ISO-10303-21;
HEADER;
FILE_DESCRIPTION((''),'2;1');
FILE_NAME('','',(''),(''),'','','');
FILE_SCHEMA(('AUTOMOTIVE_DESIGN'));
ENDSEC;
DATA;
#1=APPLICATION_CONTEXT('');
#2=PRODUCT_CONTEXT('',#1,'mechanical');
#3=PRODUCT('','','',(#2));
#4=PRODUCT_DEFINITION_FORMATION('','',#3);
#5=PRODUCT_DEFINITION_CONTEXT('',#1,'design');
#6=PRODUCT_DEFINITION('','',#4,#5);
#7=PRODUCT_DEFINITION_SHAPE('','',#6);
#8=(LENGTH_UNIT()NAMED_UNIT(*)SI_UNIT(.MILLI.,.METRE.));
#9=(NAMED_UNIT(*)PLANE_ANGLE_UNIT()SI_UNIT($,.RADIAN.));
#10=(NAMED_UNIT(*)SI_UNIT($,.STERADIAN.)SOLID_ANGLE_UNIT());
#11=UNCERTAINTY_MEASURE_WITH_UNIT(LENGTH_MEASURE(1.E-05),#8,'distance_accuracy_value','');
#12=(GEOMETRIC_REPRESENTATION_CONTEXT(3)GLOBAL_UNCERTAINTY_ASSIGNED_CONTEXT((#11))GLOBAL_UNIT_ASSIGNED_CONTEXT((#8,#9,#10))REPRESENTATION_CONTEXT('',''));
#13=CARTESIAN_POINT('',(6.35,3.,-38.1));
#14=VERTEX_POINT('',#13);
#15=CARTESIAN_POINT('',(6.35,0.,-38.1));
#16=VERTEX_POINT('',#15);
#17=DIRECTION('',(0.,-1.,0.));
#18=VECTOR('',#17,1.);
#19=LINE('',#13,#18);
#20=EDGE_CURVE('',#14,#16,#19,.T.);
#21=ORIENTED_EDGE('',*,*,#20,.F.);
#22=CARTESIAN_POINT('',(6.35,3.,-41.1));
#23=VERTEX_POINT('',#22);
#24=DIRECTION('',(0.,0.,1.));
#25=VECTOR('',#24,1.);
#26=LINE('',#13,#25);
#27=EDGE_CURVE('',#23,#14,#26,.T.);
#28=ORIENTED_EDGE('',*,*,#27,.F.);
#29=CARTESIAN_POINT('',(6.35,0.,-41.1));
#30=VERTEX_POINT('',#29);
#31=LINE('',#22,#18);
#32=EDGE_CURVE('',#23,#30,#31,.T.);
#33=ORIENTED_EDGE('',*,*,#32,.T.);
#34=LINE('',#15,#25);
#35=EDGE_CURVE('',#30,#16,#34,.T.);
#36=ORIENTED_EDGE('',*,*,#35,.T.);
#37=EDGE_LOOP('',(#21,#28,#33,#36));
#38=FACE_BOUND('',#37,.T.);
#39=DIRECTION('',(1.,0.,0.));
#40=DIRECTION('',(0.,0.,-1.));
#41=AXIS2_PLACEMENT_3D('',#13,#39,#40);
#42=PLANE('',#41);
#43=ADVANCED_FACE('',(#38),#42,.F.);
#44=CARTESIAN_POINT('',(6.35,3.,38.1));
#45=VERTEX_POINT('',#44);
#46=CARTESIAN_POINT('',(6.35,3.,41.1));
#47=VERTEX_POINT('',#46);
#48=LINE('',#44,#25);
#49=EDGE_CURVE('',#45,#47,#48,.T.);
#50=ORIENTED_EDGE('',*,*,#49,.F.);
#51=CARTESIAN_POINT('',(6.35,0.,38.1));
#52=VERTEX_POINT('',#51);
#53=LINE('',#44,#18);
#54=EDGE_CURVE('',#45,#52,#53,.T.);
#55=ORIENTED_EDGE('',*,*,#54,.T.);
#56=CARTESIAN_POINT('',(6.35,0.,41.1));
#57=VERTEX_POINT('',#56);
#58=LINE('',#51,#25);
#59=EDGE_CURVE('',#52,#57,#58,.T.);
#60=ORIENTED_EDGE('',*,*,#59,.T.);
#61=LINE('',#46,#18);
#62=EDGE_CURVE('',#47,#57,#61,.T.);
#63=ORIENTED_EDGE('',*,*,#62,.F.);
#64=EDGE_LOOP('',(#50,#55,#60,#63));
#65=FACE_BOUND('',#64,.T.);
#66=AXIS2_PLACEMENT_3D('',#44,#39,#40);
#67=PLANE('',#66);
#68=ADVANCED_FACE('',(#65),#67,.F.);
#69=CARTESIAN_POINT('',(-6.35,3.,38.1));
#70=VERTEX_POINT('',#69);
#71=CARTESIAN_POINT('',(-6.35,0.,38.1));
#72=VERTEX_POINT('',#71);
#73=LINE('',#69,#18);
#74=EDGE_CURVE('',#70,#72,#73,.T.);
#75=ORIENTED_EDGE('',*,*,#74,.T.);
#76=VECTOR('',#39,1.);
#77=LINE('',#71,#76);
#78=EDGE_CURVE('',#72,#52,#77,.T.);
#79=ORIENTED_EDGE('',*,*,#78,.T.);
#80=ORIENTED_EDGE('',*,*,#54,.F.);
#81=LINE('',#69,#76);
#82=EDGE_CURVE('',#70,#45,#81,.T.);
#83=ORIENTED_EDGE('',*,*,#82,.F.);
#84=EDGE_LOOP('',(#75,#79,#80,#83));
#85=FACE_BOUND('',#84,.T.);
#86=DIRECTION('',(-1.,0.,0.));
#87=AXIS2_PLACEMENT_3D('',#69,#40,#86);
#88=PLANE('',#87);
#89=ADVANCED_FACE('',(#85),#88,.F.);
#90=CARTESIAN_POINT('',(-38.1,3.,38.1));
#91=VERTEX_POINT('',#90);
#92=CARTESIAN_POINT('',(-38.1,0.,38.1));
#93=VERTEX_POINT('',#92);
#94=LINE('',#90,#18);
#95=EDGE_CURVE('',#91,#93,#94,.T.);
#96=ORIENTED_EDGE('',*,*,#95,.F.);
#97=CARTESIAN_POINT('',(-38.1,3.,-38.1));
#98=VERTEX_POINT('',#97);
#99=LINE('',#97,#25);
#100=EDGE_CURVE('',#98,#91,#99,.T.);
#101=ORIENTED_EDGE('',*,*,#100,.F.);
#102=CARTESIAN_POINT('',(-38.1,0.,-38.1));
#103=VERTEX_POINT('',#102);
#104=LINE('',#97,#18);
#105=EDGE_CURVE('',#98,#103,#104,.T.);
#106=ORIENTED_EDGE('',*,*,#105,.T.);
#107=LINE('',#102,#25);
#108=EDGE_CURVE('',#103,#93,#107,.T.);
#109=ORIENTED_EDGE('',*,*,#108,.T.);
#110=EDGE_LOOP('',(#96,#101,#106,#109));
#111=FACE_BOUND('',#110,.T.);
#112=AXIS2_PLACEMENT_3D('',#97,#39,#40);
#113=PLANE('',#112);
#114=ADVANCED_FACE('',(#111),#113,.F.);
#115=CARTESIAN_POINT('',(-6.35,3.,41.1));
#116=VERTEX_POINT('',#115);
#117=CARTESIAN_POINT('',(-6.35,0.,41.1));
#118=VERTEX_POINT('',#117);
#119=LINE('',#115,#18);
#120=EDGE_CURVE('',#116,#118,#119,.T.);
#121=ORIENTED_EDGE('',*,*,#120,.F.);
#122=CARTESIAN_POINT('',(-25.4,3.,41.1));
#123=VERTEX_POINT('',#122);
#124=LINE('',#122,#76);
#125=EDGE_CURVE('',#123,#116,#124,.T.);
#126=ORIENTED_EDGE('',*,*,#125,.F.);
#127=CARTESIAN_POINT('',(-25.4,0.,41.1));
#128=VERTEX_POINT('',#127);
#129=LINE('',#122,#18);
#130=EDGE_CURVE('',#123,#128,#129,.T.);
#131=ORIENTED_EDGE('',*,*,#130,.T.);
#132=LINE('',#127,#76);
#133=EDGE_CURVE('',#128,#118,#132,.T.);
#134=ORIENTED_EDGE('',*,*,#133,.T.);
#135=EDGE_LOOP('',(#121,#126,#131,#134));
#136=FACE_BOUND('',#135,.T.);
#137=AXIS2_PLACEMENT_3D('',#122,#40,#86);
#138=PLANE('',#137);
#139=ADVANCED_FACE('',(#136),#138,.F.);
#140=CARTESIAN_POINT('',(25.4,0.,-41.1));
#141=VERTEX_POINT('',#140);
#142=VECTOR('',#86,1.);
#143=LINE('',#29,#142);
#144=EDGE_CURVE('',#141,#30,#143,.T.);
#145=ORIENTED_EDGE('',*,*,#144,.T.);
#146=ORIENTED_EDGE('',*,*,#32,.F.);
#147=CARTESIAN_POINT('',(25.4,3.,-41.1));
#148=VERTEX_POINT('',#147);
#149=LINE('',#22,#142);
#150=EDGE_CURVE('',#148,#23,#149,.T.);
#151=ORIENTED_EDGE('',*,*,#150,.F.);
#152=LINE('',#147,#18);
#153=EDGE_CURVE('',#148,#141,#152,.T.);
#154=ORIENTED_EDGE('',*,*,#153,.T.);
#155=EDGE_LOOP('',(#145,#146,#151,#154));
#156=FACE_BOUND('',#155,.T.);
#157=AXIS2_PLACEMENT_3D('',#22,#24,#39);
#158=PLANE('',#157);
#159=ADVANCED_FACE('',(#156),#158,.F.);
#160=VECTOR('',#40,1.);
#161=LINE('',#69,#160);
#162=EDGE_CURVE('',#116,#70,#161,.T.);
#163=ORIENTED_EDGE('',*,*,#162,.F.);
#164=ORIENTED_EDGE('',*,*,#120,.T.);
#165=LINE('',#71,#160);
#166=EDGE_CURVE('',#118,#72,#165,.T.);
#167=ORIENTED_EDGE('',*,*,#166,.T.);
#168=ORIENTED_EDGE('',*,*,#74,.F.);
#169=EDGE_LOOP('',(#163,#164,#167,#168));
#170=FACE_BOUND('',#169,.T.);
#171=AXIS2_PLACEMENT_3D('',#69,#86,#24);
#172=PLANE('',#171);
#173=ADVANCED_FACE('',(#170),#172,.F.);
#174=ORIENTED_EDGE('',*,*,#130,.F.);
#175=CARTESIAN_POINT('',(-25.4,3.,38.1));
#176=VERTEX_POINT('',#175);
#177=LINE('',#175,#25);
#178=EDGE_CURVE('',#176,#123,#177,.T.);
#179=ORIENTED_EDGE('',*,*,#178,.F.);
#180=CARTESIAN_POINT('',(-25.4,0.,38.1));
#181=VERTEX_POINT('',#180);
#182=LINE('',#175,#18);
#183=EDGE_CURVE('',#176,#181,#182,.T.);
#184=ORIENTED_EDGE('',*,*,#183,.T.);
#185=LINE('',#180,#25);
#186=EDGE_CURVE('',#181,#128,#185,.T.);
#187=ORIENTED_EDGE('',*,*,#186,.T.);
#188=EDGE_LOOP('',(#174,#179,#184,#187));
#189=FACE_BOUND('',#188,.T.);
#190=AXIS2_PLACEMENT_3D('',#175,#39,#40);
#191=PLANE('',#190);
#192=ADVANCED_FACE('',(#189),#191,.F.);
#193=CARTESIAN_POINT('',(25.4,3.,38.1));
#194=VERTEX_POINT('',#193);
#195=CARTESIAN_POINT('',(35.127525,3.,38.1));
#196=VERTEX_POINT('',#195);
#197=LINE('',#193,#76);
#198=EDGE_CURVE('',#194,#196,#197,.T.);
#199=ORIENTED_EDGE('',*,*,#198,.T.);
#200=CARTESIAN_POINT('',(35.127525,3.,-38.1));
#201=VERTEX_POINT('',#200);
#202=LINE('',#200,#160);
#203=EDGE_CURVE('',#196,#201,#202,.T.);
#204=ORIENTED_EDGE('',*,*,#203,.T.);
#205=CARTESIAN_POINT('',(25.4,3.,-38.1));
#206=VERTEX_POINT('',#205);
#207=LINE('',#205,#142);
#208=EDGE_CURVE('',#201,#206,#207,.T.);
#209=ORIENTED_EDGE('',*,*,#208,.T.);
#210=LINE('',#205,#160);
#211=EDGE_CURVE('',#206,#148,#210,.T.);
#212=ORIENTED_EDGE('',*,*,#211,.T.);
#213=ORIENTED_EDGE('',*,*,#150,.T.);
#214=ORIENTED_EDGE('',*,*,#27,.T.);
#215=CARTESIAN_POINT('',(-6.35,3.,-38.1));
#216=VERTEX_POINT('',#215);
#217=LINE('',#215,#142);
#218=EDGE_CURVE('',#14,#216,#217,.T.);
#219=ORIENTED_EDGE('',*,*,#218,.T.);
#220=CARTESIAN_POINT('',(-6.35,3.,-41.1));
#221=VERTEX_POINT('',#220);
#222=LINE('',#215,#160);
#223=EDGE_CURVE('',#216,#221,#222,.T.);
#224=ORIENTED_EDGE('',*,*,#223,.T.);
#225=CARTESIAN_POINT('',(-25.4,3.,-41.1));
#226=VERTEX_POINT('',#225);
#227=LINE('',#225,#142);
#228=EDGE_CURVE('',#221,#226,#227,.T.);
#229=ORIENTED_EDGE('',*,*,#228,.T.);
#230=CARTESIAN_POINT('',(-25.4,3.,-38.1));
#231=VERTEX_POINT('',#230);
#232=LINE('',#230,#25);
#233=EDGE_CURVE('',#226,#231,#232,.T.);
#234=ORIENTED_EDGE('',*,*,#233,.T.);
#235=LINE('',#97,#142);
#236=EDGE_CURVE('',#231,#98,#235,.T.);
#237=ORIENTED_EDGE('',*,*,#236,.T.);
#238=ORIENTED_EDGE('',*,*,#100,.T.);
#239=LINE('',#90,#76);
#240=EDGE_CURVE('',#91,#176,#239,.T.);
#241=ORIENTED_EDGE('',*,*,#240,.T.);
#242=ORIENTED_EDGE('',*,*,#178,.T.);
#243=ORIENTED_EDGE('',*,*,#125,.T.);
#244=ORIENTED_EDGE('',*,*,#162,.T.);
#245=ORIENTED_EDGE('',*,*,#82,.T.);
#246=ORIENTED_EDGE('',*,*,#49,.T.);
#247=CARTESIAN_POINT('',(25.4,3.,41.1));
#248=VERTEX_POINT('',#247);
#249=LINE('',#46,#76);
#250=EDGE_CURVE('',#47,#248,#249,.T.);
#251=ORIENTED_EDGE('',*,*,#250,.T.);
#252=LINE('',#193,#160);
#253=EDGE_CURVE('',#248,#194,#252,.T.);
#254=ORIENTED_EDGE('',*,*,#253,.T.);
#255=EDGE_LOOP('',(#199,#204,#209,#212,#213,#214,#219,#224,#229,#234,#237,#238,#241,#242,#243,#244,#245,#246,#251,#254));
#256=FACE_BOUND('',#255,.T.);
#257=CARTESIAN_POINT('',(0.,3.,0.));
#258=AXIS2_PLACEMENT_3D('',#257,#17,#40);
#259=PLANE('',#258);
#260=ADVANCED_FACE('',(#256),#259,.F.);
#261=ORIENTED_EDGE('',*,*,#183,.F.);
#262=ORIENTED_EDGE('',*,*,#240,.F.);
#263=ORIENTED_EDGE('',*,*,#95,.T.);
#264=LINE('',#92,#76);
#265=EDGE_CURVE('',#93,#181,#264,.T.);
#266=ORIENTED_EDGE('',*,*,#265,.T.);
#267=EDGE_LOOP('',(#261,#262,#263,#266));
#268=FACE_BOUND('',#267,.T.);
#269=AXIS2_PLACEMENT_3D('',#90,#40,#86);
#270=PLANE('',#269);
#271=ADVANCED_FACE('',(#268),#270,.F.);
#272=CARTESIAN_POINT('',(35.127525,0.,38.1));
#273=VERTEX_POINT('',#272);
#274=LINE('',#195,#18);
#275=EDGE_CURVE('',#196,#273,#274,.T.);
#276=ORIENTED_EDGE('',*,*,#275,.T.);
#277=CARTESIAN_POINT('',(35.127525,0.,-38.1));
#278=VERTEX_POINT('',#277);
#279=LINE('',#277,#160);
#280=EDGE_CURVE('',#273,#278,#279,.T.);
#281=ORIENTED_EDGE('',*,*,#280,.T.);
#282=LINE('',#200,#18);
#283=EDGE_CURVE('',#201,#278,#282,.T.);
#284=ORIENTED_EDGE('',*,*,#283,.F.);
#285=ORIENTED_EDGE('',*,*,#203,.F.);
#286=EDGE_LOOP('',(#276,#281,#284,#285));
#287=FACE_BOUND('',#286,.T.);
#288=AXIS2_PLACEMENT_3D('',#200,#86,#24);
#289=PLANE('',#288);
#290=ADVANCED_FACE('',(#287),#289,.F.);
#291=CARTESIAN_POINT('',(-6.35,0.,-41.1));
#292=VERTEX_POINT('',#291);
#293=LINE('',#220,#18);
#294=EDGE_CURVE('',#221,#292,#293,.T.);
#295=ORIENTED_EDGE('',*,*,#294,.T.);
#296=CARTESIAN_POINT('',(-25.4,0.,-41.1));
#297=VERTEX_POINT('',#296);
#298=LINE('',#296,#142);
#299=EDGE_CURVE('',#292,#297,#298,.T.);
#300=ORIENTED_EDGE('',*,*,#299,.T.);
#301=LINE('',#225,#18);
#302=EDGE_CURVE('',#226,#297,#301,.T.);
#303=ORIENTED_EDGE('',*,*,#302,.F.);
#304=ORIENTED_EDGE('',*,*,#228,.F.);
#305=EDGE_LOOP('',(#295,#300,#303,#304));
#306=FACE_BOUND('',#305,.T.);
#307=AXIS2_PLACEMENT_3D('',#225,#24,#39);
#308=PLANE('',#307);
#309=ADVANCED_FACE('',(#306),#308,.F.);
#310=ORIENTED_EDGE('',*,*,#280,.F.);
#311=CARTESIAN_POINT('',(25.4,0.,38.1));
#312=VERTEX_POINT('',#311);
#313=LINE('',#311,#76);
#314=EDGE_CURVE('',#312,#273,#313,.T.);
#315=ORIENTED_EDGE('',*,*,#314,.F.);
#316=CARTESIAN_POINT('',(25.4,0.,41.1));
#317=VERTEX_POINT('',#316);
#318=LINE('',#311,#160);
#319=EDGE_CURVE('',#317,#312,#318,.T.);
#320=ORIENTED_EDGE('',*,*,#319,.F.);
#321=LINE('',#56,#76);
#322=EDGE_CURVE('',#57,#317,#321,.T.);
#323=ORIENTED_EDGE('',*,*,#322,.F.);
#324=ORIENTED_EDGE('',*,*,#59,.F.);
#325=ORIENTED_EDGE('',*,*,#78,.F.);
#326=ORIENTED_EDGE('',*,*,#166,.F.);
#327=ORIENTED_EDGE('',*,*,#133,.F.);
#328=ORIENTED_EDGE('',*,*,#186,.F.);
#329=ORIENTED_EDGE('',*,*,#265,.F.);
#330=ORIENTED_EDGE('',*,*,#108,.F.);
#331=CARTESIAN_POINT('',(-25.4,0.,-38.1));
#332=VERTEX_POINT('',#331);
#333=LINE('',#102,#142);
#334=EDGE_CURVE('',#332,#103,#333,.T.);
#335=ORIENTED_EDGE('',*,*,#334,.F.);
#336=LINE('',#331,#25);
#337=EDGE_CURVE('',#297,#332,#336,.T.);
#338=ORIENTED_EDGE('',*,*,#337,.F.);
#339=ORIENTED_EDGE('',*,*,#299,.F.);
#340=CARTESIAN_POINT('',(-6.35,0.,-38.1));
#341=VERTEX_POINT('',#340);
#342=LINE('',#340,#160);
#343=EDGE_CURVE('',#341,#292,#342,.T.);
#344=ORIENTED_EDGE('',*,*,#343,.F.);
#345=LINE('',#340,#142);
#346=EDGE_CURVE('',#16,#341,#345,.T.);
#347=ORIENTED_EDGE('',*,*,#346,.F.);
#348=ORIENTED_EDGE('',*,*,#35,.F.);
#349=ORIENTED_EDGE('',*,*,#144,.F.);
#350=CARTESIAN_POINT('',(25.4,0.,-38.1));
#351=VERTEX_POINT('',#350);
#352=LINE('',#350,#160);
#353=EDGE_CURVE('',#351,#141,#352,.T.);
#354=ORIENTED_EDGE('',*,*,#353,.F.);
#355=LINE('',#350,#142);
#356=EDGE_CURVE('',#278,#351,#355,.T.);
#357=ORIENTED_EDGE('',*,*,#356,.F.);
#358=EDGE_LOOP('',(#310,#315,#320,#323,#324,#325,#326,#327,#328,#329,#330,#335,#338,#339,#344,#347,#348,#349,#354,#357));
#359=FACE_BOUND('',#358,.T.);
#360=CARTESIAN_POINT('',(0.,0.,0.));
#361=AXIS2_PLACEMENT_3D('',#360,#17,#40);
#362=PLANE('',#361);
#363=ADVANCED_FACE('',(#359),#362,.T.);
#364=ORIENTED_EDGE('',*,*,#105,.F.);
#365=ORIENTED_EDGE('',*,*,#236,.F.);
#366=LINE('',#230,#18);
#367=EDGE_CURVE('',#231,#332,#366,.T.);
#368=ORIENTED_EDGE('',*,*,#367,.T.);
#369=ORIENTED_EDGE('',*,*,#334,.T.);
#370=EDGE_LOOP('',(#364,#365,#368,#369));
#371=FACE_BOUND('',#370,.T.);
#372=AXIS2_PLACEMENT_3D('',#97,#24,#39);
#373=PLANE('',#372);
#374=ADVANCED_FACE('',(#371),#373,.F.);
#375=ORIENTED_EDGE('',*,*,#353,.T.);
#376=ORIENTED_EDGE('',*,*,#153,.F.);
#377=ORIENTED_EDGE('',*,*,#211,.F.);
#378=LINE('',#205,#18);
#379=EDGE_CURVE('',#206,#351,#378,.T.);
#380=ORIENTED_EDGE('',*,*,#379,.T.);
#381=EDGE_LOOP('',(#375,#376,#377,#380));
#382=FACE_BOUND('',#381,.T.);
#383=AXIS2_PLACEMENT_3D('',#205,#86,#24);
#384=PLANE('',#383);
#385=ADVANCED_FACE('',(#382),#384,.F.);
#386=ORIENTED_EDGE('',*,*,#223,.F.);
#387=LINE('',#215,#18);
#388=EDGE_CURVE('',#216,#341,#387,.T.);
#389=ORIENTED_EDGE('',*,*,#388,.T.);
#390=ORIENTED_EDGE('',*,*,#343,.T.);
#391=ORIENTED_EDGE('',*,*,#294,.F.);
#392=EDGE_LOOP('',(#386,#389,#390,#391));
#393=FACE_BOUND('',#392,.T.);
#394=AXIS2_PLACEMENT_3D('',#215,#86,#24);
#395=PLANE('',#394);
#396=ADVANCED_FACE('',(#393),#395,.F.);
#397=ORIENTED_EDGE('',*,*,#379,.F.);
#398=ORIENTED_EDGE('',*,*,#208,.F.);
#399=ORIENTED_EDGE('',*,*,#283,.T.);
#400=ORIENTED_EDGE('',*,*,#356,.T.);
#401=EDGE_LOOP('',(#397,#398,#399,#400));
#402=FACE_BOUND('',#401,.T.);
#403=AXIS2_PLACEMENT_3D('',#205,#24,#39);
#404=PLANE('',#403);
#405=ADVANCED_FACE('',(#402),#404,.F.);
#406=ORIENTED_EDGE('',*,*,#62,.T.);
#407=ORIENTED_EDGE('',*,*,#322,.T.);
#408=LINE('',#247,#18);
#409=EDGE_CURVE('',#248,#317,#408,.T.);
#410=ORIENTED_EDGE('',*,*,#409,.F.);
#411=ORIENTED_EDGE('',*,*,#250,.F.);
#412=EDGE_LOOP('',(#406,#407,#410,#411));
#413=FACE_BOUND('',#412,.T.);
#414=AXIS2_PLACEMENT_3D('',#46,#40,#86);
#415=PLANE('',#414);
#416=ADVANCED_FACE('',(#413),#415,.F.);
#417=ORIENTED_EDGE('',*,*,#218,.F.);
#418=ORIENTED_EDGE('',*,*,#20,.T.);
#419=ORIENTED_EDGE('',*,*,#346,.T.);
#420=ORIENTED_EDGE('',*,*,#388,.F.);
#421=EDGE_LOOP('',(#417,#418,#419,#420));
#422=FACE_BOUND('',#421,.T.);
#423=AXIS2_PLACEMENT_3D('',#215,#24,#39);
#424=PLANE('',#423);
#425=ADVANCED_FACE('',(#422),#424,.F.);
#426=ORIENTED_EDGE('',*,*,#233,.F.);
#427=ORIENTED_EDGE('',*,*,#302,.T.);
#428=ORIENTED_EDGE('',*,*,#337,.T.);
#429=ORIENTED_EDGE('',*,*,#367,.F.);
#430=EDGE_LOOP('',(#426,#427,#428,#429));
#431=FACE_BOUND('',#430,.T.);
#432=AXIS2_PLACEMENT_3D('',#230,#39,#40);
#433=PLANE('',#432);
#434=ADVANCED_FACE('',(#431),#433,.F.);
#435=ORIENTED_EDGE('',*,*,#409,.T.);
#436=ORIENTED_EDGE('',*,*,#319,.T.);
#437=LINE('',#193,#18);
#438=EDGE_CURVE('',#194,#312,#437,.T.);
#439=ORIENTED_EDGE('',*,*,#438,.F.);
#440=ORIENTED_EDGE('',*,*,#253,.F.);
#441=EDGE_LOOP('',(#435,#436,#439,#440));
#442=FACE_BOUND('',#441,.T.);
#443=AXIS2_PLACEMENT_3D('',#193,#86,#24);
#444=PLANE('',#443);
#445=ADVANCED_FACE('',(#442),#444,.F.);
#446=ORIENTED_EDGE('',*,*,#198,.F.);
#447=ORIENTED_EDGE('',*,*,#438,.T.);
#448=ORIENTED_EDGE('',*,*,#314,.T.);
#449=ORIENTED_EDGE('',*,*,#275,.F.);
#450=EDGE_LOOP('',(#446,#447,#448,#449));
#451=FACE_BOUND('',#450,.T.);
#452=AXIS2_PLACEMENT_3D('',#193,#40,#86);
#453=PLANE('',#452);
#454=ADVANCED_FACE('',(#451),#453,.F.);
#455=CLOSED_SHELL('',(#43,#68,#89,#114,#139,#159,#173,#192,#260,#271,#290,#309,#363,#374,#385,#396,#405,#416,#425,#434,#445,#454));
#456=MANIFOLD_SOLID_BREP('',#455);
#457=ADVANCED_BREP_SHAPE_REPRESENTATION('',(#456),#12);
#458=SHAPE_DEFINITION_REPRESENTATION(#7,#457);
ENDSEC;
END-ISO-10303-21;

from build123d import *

# Parameters (mm, degrees)
BOSS_EXTRUDE1_DEPTH = 3


with BuildPart() as part:
    # Sketch1 → Boss-Extrude1 (new body)
    with BuildSketch(Plane(origin=(0, 0, 0), x_dir=(1, 0, 0), z_dir=(0, 1, 0))):
        Polygon((-25.4, 41.1), (-6.35, 41.1), (-6.35, 38.1), (6.35, 38.1), (6.35, 41.1), (25.4, 41.1), (25.4, 38.1), (35.127525217, 38.1), (35.127525217, -38.1), (25.4, -38.1), (25.4, -41.1), (6.35, -41.1), (6.35, -38.1), (-6.35, -38.1), (-6.35, -41.1), (-25.4, -41.1), (-25.4, -38.1), (-38.1, -38.1), (-38.1, 38.1), (-25.4, 38.1), align=None)
    extrude(amount=BOSS_EXTRUDE1_DEPTH)


solid = part.part
